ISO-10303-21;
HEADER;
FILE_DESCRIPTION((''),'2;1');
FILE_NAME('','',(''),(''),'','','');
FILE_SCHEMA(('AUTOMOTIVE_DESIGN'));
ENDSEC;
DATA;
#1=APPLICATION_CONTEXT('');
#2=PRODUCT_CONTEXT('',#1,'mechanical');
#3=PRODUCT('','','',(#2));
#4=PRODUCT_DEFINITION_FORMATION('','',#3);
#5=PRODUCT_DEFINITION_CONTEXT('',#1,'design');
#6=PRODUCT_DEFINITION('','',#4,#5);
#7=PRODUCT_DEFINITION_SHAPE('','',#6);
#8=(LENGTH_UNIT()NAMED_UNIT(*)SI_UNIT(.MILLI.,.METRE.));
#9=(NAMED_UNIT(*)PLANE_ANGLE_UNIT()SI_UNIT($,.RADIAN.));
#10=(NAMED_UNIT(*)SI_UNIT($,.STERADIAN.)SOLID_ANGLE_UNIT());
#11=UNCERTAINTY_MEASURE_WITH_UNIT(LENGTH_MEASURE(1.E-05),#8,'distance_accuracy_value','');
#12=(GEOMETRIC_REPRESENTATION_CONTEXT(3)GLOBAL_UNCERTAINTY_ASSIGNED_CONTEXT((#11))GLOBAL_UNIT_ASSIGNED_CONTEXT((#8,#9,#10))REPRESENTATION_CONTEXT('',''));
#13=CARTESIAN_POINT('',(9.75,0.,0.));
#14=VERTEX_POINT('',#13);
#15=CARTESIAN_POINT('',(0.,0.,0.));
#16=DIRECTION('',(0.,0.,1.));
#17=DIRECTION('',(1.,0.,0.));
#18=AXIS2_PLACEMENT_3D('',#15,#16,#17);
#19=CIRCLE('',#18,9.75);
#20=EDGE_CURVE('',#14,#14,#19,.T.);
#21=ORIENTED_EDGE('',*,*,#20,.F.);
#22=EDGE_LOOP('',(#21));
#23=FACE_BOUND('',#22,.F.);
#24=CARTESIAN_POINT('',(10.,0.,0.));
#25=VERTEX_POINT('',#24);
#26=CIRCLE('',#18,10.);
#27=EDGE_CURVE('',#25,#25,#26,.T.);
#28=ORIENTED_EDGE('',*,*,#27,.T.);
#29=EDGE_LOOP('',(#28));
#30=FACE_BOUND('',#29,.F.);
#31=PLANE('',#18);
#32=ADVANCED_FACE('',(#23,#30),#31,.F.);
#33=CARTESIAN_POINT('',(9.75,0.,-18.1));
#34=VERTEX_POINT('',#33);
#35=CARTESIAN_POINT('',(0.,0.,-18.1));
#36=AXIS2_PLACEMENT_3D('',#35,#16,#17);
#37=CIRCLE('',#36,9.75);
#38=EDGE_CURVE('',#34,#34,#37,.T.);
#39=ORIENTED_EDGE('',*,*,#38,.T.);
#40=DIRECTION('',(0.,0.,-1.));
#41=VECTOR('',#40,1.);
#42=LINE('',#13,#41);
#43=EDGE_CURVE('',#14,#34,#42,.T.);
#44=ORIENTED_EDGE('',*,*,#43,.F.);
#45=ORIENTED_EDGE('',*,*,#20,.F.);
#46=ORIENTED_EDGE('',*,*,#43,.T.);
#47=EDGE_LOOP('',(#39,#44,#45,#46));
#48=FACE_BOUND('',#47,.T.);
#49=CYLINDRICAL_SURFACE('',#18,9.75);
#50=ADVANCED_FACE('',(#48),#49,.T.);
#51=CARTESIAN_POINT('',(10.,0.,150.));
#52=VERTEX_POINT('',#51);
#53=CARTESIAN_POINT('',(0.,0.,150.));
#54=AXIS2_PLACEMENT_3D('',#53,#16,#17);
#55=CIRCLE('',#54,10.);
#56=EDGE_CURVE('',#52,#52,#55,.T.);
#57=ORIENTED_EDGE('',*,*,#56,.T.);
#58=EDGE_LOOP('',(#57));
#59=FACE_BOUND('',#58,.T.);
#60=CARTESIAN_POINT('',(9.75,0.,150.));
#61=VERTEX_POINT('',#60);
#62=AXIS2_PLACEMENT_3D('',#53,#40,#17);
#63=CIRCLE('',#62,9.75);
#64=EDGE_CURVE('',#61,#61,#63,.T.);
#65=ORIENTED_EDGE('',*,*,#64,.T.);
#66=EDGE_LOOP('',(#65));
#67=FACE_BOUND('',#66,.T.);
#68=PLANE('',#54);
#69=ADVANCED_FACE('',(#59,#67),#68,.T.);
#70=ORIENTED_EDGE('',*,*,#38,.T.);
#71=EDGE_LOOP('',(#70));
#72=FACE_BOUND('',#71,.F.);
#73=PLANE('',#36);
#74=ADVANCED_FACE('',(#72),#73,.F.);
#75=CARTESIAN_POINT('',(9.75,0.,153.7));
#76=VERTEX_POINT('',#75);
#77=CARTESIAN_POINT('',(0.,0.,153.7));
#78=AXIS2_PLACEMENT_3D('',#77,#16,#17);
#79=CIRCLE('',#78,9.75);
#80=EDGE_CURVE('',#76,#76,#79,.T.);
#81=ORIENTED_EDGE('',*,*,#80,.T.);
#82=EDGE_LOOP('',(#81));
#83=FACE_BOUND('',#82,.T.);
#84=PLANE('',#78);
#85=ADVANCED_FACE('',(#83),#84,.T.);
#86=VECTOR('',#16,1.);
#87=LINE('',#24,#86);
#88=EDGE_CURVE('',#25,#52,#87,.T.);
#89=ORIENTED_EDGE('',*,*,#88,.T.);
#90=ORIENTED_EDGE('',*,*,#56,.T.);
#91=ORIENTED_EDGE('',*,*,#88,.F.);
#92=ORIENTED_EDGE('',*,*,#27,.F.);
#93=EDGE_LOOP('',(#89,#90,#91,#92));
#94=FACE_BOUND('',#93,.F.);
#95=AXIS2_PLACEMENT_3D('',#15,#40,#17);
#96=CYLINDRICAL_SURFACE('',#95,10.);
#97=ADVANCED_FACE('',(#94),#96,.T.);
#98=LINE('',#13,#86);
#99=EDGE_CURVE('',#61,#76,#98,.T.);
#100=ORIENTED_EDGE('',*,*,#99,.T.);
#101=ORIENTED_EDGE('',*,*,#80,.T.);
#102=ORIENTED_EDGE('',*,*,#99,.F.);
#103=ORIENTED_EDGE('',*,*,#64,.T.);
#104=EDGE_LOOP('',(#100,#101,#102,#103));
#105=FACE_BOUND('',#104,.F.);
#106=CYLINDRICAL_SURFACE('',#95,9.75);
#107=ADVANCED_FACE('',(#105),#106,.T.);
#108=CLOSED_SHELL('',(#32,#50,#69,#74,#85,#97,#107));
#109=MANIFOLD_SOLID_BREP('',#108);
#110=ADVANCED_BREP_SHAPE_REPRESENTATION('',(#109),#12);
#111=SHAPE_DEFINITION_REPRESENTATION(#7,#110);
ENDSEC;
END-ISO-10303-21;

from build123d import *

# Parameters (mm, degrees)
F0_R          = 10
F1_DEPTH      = 150
F2_R          = 9.75
F3_DEPTH      = 153.7
F3_DEPTH_BACK = 18.1


with BuildPart() as f1:
    # F0 (on Top) → F1 (new body)
    with BuildSketch(Plane.XY):
        Circle(F0_R)
    extrude(amount=F1_DEPTH)

    # F2 (on Top) → F3 (join, two sides)
    with BuildSketch(Plane.XY) as f3_sk:
        Circle(F2_R)
    extrude(amount=F3_DEPTH)
    extrude(f3_sk.sketch, amount=-F3_DEPTH_BACK)


solid = f1.part
